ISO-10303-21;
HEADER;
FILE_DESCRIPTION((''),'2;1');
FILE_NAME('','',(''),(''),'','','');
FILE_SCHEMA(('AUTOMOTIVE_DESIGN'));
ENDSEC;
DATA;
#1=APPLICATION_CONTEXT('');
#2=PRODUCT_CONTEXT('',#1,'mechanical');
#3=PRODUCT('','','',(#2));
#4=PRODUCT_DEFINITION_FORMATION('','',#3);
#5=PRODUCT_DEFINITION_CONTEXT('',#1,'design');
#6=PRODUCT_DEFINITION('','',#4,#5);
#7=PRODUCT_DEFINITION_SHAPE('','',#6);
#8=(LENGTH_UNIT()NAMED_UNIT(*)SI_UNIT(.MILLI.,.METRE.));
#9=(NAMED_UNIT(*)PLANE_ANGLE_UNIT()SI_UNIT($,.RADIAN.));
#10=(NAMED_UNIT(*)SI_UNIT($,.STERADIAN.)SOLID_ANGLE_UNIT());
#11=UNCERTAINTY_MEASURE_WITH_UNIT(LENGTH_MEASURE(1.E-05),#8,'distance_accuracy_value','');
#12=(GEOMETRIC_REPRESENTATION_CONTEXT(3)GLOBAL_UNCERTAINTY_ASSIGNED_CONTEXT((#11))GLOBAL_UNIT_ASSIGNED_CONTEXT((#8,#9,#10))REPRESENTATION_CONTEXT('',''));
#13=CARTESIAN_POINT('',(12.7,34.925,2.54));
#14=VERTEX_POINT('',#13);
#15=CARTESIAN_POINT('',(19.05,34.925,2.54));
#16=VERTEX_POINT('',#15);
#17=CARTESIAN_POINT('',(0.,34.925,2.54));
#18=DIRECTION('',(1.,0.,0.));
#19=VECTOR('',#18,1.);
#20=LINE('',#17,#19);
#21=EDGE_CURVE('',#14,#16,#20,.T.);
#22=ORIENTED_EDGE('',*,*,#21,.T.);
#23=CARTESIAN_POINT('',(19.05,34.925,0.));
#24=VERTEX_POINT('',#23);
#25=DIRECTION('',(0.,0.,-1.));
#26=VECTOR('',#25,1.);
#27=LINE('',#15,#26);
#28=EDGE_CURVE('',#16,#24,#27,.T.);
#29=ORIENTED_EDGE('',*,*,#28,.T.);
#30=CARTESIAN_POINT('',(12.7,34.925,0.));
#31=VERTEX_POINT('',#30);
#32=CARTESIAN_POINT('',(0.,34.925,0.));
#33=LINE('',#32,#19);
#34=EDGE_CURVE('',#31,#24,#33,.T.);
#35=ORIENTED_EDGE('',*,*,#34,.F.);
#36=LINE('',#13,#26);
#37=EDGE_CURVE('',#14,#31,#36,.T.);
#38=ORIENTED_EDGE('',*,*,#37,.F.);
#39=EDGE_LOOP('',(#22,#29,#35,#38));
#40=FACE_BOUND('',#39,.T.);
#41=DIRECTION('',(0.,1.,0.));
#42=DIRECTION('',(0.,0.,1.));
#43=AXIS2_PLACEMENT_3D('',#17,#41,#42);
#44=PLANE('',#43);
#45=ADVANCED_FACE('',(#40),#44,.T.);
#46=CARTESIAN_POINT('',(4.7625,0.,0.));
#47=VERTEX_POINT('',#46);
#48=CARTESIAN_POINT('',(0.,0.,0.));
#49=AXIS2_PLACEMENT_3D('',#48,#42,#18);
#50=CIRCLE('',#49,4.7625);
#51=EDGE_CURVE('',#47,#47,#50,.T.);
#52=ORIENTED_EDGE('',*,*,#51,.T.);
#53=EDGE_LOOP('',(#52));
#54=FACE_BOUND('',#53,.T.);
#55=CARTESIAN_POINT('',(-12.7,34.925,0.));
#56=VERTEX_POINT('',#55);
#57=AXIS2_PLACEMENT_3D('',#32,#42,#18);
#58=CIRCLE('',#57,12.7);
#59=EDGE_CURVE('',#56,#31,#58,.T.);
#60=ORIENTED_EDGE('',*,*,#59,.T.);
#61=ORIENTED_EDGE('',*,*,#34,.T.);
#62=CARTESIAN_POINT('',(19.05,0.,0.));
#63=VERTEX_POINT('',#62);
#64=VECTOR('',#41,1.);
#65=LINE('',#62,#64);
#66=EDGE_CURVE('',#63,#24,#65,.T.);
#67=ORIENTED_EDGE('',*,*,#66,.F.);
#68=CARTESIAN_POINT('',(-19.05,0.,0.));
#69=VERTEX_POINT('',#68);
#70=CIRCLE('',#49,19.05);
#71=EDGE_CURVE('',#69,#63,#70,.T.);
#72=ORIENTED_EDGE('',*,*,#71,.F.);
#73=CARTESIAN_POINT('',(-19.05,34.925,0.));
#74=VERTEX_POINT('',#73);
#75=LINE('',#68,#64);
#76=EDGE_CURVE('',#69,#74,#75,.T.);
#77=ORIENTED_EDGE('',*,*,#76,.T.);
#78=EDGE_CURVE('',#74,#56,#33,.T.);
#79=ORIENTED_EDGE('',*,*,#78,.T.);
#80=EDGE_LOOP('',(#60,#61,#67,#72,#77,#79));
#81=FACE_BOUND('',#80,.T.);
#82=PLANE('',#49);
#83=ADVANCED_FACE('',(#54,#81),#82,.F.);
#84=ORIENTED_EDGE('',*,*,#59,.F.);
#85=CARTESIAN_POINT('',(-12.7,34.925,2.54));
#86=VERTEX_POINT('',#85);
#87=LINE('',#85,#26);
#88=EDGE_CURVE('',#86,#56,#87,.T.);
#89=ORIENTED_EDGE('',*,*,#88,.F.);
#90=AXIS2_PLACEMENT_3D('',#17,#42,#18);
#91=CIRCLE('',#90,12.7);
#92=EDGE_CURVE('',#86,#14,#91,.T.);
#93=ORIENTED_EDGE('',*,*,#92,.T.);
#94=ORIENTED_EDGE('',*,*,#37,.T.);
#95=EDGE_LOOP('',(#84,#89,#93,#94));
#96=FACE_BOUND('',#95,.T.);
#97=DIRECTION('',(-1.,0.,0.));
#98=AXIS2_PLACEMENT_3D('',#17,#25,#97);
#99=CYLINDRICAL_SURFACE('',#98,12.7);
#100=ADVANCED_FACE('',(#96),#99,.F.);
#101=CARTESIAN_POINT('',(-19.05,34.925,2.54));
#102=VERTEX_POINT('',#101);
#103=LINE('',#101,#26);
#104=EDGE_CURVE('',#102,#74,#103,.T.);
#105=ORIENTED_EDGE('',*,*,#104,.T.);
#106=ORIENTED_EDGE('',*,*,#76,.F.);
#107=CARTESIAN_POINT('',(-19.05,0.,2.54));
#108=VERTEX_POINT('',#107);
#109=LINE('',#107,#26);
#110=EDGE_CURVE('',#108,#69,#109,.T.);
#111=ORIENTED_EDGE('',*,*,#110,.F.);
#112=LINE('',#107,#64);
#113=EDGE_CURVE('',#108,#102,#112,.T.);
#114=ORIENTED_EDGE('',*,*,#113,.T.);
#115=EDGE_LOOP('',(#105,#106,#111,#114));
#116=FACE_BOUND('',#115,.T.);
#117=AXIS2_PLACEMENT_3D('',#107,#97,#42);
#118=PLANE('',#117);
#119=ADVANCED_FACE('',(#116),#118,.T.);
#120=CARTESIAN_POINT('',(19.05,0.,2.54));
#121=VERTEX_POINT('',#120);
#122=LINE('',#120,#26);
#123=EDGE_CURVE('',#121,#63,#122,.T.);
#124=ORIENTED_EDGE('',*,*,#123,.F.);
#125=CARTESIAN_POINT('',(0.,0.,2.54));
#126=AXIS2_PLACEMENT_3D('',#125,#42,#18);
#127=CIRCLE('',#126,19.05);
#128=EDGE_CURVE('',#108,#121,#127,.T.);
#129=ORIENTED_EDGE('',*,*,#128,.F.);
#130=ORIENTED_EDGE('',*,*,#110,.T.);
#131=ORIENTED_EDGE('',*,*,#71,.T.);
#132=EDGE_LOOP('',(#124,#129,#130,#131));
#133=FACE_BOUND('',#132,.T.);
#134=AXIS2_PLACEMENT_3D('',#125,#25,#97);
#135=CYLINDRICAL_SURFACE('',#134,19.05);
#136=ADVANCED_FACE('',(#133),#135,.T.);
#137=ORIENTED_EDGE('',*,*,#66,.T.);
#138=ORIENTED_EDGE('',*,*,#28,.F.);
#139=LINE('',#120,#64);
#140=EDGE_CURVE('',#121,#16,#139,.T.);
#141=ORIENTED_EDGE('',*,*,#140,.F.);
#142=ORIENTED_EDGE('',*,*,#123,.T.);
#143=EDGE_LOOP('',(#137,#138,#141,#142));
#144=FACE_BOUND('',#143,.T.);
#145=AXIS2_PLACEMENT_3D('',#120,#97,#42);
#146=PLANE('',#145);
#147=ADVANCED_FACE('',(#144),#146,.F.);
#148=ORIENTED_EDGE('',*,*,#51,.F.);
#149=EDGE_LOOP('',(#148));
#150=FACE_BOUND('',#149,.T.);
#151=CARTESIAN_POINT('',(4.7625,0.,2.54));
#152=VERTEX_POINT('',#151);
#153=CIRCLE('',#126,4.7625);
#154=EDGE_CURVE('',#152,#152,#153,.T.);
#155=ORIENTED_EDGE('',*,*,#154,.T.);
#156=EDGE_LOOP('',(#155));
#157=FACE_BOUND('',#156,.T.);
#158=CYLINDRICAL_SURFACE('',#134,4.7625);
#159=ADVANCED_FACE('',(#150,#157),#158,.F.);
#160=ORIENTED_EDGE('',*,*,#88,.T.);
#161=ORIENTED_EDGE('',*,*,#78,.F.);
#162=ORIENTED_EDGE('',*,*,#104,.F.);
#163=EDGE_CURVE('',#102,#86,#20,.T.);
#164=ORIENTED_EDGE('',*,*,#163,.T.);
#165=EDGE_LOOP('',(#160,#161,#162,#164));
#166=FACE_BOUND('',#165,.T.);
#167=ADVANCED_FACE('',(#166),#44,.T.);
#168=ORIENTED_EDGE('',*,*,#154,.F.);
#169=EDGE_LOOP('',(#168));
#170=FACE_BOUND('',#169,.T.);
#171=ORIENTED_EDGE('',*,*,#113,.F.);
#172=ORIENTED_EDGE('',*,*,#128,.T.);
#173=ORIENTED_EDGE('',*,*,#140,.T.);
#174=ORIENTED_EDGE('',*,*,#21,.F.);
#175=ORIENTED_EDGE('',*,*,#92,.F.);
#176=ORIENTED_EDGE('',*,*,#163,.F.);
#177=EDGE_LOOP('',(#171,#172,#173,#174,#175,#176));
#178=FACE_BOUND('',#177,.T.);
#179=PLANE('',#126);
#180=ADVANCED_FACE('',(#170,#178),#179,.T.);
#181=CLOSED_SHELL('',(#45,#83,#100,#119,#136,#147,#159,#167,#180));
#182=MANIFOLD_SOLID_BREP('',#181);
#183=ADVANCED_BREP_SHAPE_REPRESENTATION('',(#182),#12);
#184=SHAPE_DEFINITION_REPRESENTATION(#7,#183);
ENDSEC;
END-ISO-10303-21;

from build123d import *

# Parameters (mm, degrees)
SKETCH1_R           = 4.7625
BOSS_EXTRUDE1_DEPTH = 2.54


with BuildPart() as part:
    # Sketch1 → Boss-Extrude1 (new body)
    with BuildSketch(Plane.XY):
        with BuildLine():
            Line((-19.05, 34.925), (-19.05, -3e-09))
            ThreePointArc((-19.05, -3e-09), (2e-09, -19.05), (19.05, 0))
            Line((19.05, 0), (19.05, 34.925))
            Line((19.05, 34.925), (12.7, 34.925))
            ThreePointArc((12.7, 34.925), (0, 22.225), (-12.7, 34.925))
            Line((-12.7, 34.925), (-19.05, 34.925))
        make_face()
        Circle(SKETCH1_R, mode=Mode.SUBTRACT)
    extrude(amount=BOSS_EXTRUDE1_DEPTH)


solid = part.part
